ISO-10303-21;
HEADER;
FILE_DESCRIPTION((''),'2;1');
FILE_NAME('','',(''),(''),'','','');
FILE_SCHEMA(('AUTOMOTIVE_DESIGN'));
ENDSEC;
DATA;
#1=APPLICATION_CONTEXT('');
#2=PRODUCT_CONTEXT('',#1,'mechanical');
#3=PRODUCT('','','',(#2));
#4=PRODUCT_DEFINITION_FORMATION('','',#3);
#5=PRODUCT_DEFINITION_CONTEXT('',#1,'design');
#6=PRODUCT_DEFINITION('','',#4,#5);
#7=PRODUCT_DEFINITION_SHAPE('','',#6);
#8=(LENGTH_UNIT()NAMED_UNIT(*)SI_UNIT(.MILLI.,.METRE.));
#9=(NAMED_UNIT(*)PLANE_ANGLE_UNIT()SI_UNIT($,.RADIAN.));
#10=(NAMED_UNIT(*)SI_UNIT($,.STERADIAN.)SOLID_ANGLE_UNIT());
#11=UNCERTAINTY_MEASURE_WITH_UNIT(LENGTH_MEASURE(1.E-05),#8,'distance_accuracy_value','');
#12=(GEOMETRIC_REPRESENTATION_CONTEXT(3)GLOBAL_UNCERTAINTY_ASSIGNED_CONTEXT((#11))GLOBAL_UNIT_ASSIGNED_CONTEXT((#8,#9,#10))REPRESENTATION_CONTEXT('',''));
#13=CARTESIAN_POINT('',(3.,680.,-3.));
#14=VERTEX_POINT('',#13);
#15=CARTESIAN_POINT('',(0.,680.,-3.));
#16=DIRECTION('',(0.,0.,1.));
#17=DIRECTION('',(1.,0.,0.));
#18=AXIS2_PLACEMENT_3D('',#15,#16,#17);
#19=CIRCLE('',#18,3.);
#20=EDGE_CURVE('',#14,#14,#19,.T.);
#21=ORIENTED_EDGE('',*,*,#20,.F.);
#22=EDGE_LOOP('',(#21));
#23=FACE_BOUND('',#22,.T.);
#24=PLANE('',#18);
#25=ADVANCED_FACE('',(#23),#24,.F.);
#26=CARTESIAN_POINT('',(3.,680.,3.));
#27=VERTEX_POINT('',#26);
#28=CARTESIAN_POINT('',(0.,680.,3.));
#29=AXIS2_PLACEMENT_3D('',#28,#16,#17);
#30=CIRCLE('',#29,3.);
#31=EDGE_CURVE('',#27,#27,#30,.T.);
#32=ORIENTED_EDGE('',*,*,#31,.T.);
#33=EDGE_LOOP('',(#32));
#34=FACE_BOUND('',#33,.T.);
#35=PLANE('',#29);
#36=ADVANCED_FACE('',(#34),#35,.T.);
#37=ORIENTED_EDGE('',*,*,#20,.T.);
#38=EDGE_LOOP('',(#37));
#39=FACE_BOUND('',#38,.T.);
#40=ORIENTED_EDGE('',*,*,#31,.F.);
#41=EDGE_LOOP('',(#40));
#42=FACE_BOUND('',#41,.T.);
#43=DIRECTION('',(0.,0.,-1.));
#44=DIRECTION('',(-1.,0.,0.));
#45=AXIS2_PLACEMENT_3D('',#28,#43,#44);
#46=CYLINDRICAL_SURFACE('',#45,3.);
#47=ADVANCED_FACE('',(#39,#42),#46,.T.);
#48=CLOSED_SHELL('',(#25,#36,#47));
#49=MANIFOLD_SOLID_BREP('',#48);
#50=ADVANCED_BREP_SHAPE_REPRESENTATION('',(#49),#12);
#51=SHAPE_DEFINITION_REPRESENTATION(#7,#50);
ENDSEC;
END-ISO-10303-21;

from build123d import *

# Parameters (mm, degrees)
SKIZZE4_R                            = 3
AUFSATZ_LINEAR_AUSTRAGEN1_DEPTH      = 3
AUFSATZ_LINEAR_AUSTRAGEN1_DEPTH_BACK = 3


with BuildPart() as part:
    # Skizze4 → Aufsatz-Linear austragen1 (new body, two sides)
    with BuildSketch(Plane.XY) as aufsatz_linear_austragen1_sk:
        with Locations((0, 680)):
            Circle(SKIZZE4_R)
    extrude(amount=AUFSATZ_LINEAR_AUSTRAGEN1_DEPTH)
    extrude(aufsatz_linear_austragen1_sk.sketch, amount=-AUFSATZ_LINEAR_AUSTRAGEN1_DEPTH_BACK)


solid = part.part
